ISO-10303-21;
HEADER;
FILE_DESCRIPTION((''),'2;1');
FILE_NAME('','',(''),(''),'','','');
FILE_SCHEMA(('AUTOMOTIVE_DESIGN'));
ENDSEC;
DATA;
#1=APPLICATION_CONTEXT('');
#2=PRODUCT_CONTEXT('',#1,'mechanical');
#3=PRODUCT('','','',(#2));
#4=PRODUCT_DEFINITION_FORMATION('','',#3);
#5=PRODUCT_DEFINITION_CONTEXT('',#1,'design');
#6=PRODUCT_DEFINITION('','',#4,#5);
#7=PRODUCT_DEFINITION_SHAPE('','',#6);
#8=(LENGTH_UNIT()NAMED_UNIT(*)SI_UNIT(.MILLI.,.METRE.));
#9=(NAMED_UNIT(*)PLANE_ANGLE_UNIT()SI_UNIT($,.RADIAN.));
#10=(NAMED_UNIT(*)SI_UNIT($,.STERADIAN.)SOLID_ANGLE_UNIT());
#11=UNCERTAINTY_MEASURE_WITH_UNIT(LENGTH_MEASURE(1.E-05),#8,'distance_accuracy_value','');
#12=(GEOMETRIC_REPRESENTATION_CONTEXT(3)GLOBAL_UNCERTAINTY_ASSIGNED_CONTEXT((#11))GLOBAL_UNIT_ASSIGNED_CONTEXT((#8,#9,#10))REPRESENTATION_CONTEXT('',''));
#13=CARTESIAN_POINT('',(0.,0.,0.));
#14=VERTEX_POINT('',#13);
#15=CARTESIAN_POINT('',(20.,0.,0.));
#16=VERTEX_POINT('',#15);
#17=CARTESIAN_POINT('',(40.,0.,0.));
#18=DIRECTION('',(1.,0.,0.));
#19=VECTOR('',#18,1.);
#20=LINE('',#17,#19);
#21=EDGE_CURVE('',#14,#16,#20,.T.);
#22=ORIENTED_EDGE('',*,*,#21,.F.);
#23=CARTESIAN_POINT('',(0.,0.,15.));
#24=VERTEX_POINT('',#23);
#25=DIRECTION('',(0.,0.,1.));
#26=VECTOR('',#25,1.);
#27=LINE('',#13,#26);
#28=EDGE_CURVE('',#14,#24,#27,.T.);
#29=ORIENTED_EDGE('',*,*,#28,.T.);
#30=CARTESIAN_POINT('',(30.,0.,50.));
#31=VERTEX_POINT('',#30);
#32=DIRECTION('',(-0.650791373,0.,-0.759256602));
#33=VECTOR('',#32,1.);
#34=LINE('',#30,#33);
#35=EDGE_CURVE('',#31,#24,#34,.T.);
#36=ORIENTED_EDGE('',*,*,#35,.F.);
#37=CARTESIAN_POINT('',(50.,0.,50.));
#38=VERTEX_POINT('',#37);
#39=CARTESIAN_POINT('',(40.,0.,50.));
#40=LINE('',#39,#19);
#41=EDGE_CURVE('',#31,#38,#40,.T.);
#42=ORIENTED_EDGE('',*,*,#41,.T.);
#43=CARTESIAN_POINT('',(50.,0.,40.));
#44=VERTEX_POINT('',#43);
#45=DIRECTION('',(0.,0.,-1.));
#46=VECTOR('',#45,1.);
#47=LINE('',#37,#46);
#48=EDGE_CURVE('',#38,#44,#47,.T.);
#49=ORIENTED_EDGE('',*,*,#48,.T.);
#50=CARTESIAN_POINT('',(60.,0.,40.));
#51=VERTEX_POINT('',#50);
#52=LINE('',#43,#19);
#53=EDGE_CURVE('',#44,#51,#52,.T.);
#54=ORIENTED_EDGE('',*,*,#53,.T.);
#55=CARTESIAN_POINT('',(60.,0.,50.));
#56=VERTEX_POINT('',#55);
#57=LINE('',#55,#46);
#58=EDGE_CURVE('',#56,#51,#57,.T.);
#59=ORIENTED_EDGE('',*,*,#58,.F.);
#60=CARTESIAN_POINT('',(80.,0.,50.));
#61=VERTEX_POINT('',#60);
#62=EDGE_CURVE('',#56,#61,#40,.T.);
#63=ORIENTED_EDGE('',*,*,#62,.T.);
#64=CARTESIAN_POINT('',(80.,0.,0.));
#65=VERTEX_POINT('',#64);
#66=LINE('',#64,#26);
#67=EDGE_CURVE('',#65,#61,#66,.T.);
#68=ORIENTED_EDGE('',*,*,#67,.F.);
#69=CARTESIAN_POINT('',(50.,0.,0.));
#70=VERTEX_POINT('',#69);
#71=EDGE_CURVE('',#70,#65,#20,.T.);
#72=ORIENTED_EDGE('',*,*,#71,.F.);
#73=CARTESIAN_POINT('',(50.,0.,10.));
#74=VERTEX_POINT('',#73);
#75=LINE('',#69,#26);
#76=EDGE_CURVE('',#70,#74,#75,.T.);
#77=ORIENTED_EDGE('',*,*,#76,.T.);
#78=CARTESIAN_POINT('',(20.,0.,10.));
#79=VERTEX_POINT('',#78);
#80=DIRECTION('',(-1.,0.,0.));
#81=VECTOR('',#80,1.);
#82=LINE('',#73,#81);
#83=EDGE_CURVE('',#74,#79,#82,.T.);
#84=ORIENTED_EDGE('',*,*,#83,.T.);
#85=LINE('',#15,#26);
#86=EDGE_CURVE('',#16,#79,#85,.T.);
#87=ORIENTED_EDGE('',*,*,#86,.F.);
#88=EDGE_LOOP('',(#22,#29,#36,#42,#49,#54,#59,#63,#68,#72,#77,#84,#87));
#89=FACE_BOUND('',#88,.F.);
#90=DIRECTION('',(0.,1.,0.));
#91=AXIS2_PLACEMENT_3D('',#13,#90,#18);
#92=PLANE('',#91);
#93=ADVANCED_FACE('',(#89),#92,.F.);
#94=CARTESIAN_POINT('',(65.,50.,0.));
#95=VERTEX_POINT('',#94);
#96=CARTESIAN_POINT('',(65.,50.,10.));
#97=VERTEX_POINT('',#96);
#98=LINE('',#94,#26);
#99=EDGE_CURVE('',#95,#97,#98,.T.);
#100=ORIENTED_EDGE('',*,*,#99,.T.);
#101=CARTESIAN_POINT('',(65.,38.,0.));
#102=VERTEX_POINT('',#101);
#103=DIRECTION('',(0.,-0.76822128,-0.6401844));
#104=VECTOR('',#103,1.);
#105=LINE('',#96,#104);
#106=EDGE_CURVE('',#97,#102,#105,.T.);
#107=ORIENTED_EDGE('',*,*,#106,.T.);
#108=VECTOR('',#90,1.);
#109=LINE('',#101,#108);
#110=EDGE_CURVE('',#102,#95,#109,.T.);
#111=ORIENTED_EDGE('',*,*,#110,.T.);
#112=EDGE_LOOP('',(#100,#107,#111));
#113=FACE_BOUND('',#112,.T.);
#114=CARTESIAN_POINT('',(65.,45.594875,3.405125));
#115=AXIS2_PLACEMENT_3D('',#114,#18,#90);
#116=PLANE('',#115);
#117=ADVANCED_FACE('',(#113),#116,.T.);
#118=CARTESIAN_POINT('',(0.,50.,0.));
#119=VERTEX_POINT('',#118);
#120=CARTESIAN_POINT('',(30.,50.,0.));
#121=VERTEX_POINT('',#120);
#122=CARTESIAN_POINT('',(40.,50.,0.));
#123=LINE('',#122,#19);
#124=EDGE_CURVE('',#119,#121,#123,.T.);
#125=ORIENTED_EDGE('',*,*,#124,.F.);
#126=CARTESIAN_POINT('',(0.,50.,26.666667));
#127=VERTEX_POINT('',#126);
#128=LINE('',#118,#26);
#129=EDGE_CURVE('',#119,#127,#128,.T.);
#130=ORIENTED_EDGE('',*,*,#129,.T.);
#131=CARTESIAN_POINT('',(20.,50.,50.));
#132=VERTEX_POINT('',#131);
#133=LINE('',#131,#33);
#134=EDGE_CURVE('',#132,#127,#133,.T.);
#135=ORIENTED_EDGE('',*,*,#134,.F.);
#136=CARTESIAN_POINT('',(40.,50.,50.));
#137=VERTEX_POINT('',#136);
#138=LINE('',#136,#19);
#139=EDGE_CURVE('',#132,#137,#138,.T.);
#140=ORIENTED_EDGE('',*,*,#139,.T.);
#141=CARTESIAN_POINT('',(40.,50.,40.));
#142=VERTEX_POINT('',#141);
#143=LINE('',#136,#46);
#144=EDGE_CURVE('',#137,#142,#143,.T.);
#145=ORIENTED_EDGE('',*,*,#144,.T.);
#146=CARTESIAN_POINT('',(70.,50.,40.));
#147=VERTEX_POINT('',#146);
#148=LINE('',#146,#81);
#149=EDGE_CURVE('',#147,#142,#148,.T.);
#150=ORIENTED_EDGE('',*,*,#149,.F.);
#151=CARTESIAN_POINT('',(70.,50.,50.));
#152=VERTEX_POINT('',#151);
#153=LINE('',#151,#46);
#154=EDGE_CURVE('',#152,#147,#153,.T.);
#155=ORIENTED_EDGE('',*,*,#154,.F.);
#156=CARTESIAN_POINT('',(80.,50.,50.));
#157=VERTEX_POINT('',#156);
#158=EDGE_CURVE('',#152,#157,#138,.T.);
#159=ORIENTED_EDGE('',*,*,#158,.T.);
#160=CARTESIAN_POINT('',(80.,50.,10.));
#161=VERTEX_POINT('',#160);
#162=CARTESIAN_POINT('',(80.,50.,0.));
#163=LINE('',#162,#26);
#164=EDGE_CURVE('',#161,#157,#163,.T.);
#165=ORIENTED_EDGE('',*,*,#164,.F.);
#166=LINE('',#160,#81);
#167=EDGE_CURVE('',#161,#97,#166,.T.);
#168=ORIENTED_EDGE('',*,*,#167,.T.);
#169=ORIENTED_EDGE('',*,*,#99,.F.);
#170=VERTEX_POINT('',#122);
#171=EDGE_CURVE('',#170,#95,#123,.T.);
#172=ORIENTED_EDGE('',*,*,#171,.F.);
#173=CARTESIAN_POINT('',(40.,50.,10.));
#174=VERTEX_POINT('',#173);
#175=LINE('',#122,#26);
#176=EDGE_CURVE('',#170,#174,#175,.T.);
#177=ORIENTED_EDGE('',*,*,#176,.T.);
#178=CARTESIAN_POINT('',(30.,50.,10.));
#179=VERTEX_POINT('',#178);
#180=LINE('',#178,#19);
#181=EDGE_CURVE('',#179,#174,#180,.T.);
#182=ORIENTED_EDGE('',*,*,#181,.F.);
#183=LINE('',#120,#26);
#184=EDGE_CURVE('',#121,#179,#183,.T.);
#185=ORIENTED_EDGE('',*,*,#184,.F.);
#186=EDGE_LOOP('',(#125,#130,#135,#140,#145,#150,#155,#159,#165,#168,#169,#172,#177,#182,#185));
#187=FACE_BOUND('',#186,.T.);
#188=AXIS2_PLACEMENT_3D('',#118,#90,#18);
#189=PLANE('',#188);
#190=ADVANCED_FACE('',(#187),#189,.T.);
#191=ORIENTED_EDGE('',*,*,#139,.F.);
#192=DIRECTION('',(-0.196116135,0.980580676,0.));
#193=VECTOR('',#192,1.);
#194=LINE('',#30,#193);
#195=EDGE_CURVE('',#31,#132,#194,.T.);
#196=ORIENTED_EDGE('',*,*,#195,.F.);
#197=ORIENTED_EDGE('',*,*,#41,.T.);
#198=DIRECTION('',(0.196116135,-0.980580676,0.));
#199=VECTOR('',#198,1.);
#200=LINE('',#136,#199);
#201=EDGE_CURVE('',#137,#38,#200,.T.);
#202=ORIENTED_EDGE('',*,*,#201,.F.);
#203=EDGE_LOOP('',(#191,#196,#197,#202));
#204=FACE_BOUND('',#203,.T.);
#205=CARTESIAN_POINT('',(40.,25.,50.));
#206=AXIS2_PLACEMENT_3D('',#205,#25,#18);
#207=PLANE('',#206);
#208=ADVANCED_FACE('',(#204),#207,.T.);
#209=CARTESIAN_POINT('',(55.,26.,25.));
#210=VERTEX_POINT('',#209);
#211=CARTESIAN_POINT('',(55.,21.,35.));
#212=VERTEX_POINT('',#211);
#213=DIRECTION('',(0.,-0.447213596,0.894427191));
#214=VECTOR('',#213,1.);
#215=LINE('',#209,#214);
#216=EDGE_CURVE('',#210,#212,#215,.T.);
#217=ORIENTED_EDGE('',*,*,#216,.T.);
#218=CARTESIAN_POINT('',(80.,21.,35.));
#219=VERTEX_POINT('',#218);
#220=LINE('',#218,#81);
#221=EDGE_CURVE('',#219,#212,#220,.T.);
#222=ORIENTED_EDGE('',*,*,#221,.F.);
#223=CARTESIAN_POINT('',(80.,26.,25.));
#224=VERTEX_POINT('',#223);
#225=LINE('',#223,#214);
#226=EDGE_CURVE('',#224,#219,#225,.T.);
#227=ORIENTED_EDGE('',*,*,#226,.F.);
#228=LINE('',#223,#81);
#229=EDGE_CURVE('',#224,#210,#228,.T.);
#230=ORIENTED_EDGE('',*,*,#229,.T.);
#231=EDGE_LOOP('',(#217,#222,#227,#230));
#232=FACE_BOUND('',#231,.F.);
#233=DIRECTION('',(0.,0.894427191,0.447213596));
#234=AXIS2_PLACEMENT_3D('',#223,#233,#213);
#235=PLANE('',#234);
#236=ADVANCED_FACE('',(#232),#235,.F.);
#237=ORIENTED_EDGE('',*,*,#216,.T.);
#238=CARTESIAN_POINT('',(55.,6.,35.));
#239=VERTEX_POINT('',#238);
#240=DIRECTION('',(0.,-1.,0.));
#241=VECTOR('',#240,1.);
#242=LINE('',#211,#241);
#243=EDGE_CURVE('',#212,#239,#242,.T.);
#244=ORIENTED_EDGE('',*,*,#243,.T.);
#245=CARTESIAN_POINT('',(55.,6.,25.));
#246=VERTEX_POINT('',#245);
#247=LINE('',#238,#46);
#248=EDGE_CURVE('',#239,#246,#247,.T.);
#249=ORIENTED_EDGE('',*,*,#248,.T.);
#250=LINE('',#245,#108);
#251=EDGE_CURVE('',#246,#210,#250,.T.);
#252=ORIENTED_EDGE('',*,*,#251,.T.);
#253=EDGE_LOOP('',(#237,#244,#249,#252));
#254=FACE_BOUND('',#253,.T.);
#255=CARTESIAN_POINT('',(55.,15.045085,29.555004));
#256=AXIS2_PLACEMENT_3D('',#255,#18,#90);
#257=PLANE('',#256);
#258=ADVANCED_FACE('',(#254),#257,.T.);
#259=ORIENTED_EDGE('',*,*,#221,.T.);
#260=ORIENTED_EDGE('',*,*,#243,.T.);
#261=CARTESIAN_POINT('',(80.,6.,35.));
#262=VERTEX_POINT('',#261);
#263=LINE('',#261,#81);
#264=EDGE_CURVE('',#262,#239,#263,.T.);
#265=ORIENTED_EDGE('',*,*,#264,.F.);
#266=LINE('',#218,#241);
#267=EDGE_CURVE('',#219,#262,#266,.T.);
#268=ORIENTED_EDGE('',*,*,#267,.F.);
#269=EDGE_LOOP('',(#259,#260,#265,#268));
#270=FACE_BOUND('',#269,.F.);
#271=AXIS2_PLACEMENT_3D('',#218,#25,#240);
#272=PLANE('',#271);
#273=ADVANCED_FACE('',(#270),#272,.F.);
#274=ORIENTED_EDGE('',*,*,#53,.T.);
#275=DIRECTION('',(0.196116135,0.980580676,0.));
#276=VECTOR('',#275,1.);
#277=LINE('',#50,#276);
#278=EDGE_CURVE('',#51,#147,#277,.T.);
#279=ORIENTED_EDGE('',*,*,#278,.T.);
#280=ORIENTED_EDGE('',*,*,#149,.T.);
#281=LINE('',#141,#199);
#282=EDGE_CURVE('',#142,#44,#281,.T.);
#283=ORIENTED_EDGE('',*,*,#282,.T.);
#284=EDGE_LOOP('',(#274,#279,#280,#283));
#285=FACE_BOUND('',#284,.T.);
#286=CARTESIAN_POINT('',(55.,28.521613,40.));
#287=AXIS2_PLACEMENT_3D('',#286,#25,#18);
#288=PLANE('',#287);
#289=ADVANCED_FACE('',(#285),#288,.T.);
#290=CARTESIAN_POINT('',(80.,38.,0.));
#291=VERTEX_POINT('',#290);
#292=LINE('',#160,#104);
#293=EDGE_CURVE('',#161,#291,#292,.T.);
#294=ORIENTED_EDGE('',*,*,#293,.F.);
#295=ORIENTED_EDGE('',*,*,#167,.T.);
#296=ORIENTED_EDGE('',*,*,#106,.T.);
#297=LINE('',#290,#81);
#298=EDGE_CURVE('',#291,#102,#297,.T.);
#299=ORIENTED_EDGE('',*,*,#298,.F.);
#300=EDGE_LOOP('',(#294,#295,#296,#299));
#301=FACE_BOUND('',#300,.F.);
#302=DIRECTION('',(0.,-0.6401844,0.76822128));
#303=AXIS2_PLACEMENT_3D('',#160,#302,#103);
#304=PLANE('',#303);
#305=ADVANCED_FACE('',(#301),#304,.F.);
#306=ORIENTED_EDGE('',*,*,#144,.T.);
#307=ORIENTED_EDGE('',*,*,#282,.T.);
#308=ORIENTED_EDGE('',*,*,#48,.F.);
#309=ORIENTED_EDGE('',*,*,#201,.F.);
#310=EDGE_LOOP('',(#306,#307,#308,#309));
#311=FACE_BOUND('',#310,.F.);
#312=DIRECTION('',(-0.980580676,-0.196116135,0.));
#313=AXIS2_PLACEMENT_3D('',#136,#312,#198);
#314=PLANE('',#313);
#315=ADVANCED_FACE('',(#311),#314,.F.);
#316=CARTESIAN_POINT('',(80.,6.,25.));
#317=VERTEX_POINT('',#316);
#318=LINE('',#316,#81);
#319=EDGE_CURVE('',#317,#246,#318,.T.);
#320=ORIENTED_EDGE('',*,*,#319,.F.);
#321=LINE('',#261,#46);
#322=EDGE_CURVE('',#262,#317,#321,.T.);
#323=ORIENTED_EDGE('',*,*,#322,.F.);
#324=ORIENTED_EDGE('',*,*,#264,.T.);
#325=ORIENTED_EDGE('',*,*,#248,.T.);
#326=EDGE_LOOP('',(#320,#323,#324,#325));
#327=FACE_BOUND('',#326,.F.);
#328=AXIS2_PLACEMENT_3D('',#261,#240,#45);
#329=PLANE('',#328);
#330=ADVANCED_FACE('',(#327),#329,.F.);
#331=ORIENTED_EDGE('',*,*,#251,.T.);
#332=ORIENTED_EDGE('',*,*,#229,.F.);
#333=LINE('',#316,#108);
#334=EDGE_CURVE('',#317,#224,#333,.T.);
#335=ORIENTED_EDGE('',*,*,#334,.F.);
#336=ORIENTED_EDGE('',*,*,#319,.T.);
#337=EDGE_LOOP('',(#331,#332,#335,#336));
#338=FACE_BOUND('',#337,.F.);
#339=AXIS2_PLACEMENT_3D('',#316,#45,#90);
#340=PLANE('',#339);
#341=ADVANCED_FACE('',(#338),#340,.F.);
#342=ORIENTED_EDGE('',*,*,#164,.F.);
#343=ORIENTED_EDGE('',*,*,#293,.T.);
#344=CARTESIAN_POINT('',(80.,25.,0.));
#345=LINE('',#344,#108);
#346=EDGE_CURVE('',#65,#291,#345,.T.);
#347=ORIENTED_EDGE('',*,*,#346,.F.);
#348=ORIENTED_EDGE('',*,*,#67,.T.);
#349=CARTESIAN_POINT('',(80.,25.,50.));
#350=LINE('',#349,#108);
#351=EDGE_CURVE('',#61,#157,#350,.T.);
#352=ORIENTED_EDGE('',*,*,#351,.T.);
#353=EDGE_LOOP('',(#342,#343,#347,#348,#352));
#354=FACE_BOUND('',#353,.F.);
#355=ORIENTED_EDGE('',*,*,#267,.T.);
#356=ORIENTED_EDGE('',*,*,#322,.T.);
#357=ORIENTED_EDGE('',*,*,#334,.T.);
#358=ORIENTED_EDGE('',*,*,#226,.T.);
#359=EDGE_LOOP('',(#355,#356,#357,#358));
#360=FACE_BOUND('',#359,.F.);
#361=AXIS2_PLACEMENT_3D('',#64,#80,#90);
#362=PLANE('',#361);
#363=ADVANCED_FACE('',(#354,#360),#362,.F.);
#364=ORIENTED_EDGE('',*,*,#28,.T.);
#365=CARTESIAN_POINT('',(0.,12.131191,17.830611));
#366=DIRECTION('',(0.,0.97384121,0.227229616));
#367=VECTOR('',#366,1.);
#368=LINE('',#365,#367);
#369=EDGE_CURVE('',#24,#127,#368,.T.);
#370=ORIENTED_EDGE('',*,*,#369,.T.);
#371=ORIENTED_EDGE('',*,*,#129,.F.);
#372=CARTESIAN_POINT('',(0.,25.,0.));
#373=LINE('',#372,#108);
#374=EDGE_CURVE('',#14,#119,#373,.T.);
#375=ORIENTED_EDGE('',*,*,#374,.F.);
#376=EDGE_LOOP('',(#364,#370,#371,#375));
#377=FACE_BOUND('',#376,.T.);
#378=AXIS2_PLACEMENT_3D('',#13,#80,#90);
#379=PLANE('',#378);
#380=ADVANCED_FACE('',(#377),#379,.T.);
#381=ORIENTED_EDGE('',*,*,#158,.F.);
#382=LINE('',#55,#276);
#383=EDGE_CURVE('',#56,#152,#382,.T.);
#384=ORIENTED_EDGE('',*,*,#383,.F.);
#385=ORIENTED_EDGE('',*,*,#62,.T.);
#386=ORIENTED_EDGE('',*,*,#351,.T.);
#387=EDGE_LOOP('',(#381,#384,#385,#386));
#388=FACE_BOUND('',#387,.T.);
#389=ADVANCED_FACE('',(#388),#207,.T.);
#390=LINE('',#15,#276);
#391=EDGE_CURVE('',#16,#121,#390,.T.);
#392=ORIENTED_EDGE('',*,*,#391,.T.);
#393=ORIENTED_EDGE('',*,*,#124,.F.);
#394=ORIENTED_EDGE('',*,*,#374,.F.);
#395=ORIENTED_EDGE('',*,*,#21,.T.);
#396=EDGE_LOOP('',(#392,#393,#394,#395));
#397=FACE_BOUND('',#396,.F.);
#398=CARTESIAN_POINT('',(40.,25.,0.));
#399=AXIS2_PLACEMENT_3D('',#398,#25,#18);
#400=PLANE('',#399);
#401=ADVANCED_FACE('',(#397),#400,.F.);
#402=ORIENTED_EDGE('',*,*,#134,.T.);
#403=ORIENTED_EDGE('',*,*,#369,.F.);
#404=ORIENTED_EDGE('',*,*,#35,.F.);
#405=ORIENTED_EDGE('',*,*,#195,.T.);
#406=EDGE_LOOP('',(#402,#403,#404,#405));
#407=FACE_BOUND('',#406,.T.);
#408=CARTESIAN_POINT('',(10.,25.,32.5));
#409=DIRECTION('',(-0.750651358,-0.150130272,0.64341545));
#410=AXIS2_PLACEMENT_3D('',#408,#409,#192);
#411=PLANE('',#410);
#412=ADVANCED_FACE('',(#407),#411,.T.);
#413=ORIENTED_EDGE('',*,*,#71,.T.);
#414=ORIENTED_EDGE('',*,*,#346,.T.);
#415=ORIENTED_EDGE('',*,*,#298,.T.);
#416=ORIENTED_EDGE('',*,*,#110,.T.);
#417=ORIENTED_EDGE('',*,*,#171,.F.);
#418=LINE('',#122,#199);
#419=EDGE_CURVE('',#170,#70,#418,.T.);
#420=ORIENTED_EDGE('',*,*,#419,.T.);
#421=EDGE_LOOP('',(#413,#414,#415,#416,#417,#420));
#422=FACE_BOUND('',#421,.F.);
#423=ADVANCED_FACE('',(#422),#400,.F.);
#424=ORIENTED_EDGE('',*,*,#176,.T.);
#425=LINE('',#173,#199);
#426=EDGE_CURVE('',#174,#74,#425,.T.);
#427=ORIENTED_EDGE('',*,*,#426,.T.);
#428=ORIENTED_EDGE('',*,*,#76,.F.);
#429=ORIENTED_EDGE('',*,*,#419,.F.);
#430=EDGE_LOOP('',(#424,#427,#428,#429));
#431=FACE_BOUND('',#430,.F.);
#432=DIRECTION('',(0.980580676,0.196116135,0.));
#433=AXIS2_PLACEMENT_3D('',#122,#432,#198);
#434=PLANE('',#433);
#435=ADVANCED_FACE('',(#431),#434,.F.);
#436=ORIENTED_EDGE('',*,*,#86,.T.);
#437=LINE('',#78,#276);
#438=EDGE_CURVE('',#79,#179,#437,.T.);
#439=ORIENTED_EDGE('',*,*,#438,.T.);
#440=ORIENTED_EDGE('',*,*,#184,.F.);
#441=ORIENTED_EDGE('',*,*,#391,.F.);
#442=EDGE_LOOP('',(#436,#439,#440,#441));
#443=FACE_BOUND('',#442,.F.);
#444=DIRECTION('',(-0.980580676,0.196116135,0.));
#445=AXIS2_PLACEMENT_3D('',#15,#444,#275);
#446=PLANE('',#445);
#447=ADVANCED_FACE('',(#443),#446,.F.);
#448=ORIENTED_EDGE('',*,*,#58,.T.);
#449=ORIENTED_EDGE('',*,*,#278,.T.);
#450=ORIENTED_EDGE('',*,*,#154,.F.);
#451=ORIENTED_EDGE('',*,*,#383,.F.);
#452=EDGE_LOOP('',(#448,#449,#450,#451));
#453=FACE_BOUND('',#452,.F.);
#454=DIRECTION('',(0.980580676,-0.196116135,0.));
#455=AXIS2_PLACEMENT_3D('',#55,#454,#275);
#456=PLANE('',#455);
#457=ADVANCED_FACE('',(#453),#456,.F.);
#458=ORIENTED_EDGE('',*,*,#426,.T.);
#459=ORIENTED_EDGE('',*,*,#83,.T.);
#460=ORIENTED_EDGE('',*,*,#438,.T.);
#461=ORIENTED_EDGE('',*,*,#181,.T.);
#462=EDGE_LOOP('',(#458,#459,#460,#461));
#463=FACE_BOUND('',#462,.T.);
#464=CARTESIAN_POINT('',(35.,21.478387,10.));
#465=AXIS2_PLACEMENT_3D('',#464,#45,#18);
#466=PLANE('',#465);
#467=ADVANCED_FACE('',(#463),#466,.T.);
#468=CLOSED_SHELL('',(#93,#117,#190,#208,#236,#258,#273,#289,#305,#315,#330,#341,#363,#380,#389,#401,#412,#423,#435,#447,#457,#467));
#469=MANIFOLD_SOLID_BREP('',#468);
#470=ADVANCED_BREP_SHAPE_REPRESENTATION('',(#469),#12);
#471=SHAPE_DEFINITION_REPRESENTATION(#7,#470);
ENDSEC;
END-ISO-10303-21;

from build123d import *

# Parameters (mm, degrees)
F0_W     = 80
F0_H     = 50
F1_DEPTH = 50
F3_DEPTH = 25
F5_DEPTH = 10
F7_DEPTH = 10
F9_DEPTH = 15


with BuildPart() as f1:
    # F0 (on Top) → F1 (new body)
    with BuildSketch(Plane.XY):
        with Locations((40, 25)):
            Rectangle(F0_W, F0_H)
    extrude(amount=F1_DEPTH)

    # F2 (on face) → F3 (cut)
    with BuildSketch(Plane.YZ.offset(80)):
        Polygon((21, 35), (6, 35), (6, 25), (26, 25), align=None)
    extrude(amount=-F3_DEPTH, mode=Mode.SUBTRACT)

    # F4 (on face) → F5 (cut)
    with BuildSketch(Plane(origin=(0, 0, 0), x_dir=(1, 0, 0), z_dir=(0, 0, -1))):
        Polygon((50, 0), (20, 0), (30, -50), (40, -50), align=None)
    extrude(amount=-F5_DEPTH, mode=Mode.SUBTRACT)

    # F6 (on face) → F7 (cut)
    with BuildSketch(Plane.XY.offset(50)):
        Polygon((70, 50), (40, 50), (50, 0), (60, 0), align=None)
    extrude(amount=-F7_DEPTH, mode=Mode.SUBTRACT)

    # F8 (on face) → F9 (cut)
    with BuildSketch(Plane.YZ.offset(80)):
        Polygon((50, 10), (38, 0), (50, 0), align=None)
    extrude(amount=-F9_DEPTH, mode=Mode.SUBTRACT)

    # F12: sweep along a path in F11
    with BuildLine(Plane.XZ) as f12_path:
        Line((30, 50), (0, 15))
    # F10 (on face) → F12 (sweep, cut)
    with BuildSketch(Plane.XY.offset(50)):
        Polygon((0, 0), (30, 0), (20, 50), (0, 50), align=None)
    sweep(path=f12_path.line, mode=Mode.SUBTRACT)


solid = f1.part
